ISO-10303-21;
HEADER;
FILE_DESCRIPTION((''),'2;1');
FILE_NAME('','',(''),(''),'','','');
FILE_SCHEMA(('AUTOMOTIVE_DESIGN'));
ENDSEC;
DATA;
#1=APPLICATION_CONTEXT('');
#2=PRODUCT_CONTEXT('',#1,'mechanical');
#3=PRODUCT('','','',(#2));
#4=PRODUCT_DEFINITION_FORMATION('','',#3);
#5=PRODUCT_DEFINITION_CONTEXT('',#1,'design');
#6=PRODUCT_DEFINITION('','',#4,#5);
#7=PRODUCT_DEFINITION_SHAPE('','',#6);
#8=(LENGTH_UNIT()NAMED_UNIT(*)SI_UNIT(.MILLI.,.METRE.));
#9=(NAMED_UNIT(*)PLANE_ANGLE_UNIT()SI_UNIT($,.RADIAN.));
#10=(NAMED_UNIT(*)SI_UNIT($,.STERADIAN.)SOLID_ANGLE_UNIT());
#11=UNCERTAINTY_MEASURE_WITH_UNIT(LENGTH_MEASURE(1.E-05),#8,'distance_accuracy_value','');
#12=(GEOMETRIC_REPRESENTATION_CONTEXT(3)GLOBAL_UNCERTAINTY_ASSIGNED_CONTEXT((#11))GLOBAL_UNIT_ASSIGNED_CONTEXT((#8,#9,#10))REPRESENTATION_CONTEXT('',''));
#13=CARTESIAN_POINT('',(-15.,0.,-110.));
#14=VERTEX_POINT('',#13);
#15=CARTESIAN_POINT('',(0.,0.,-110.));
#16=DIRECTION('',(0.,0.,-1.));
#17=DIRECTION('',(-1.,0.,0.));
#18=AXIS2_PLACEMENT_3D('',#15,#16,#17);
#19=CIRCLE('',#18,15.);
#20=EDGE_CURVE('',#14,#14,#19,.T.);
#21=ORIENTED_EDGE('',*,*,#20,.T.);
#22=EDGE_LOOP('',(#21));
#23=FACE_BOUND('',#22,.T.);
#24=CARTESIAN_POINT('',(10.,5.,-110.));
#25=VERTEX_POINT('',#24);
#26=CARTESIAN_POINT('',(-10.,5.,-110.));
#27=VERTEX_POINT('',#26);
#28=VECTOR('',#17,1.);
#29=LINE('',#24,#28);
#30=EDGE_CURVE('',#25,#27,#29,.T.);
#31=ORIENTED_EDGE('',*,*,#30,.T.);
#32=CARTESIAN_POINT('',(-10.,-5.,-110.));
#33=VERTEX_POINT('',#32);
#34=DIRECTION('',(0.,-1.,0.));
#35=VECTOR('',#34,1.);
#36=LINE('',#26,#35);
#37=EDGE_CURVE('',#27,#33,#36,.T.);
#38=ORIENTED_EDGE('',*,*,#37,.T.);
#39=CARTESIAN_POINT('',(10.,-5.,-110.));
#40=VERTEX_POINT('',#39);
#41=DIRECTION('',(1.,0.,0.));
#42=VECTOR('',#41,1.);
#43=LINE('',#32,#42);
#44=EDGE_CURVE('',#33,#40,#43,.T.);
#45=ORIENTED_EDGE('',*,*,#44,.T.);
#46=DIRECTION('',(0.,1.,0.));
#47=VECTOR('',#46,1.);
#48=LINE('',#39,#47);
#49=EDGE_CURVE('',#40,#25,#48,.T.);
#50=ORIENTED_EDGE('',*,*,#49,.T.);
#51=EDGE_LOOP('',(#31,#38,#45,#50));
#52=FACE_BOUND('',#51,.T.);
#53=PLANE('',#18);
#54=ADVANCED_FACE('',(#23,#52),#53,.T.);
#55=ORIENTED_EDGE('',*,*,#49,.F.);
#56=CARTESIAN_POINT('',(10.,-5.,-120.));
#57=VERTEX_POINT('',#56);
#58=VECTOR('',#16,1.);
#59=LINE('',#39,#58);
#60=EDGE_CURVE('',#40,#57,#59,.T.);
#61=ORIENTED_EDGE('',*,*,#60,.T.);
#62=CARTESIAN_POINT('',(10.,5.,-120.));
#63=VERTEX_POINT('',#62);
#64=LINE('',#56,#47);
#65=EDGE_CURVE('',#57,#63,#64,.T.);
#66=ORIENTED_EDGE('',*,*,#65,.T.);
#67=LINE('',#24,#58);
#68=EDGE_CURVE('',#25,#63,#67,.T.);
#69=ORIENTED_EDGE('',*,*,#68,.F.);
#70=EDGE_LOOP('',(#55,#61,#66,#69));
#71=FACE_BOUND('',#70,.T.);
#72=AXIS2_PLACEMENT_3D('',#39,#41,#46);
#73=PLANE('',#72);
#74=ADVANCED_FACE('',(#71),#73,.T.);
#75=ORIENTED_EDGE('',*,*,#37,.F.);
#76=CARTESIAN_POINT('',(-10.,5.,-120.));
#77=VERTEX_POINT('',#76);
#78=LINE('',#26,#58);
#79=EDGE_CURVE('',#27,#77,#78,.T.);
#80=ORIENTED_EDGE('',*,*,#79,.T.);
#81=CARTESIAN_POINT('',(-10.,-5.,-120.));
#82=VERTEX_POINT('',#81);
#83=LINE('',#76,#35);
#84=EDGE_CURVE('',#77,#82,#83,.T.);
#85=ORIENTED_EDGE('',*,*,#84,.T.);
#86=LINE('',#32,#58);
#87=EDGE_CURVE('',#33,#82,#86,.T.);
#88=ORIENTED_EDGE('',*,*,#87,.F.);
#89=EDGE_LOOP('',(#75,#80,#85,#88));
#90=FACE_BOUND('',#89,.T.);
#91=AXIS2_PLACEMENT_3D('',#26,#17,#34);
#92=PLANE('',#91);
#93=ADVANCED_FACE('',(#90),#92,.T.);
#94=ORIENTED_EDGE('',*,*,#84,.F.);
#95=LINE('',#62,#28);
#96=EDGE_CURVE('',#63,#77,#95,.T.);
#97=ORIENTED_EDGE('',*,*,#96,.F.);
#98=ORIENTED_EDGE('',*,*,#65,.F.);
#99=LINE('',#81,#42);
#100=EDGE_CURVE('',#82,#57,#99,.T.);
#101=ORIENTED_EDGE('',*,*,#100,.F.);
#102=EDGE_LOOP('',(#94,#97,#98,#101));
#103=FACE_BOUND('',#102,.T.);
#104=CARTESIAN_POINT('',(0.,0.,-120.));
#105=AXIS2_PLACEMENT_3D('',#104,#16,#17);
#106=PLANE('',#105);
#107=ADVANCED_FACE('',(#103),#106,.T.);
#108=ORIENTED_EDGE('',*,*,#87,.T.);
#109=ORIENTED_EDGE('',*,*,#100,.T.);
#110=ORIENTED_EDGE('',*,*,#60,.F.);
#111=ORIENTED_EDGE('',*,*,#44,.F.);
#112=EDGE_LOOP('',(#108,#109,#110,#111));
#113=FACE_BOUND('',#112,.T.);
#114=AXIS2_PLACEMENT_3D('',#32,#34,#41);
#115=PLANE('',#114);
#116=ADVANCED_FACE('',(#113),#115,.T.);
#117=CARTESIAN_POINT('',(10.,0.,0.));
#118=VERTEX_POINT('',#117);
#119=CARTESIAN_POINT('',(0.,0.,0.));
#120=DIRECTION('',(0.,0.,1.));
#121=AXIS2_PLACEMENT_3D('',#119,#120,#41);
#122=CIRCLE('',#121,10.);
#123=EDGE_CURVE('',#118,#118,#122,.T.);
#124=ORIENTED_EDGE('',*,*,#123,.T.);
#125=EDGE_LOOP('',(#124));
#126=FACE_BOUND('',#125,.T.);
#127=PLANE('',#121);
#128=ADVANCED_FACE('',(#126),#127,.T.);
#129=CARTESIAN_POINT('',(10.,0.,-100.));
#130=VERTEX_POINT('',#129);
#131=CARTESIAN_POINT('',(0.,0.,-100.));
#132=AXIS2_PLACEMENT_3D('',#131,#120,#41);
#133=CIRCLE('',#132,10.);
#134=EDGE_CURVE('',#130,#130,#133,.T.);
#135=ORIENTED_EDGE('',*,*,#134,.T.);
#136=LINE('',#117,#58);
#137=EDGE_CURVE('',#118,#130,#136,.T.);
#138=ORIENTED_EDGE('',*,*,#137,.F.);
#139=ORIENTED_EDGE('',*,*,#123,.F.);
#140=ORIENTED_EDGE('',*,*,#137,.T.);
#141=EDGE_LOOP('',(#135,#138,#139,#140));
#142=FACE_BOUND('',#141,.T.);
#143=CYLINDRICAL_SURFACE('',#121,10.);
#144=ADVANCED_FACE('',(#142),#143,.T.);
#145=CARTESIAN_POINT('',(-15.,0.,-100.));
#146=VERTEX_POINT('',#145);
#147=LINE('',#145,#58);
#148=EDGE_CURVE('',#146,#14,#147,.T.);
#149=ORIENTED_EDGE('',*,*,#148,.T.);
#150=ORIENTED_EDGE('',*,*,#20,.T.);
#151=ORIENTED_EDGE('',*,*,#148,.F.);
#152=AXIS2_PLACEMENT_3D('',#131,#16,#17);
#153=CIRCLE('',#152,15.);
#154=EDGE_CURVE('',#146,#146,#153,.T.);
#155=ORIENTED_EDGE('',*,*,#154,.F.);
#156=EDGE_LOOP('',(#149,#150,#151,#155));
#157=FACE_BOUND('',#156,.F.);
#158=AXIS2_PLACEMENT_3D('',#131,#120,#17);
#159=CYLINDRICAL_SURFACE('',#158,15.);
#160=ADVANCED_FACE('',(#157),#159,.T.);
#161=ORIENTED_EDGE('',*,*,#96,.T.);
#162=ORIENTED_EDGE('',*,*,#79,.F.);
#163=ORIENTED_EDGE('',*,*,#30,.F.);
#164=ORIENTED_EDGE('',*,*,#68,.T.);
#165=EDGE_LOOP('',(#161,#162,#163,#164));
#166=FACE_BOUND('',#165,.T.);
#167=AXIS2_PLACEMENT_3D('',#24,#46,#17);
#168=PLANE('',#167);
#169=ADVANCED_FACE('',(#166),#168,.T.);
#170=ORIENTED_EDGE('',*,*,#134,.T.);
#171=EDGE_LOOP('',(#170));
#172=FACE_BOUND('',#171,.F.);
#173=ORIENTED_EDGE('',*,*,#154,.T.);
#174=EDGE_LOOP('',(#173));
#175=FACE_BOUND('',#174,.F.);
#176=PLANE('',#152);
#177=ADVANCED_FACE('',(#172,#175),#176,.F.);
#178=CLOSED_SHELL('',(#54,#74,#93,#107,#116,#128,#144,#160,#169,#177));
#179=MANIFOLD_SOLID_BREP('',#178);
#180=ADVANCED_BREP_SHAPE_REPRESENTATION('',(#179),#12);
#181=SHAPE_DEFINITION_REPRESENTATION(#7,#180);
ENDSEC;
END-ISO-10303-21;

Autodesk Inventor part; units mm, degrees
ref_plane "YZ Plane" through (0, 0, 0) normal (1, 0, 0) x (0, 1, 0)
ref_plane "XZ Plane" through (0, 0, 0) normal (0, 1, 0) x (-1, 0, 0)
ref_plane "XY Plane" through (0, 0, 0) normal (0, 0, 1) x (1, 0, 0)
sketch "Skizze1" plane through (0, 0, 0) normal (0, 0, 1) x (1, 0, 0)
  circle A0 centre (0, 0) radius 10
  dimension "d0" = 20
extrude "Extrusion1" add sketch "Skizze1" against normal blind 100
sketch "Skizze2" plane through (0, 0, -100) normal (0, 0, -1) x (-1, 0, 0)
  circle A0 centre (0, 0) radius 10 projected
  circle A1 centre (0, 0) radius 15
  dimension "d3" = 30
extrude "Extrusion2" add sketch "Skizze2" along normal blind 10 contours A0 | A1
sketch "Skizze3" plane through (0, 0, -110) normal (0, 0, -1) x (-1, 0, 0)
  line L0 (10, -5) -> (-10, -5)
  line L1 (-10, -5) -> (-10, 5)
  line L2 (-10, 5) -> (10, 5)
  line L3 (10, 5) -> (10, -5)
  line L4 (10, -5) -> (-10, 5) construction
  line L5 (-10, -5) -> (10, 5) construction
  point P0 (0, 0)
  dimension "d6" = 20
  dimension "d7" = 10
extrude "Extrusion3" add sketch "Skizze3" along normal blind 10
properties part number "Hubstange"
